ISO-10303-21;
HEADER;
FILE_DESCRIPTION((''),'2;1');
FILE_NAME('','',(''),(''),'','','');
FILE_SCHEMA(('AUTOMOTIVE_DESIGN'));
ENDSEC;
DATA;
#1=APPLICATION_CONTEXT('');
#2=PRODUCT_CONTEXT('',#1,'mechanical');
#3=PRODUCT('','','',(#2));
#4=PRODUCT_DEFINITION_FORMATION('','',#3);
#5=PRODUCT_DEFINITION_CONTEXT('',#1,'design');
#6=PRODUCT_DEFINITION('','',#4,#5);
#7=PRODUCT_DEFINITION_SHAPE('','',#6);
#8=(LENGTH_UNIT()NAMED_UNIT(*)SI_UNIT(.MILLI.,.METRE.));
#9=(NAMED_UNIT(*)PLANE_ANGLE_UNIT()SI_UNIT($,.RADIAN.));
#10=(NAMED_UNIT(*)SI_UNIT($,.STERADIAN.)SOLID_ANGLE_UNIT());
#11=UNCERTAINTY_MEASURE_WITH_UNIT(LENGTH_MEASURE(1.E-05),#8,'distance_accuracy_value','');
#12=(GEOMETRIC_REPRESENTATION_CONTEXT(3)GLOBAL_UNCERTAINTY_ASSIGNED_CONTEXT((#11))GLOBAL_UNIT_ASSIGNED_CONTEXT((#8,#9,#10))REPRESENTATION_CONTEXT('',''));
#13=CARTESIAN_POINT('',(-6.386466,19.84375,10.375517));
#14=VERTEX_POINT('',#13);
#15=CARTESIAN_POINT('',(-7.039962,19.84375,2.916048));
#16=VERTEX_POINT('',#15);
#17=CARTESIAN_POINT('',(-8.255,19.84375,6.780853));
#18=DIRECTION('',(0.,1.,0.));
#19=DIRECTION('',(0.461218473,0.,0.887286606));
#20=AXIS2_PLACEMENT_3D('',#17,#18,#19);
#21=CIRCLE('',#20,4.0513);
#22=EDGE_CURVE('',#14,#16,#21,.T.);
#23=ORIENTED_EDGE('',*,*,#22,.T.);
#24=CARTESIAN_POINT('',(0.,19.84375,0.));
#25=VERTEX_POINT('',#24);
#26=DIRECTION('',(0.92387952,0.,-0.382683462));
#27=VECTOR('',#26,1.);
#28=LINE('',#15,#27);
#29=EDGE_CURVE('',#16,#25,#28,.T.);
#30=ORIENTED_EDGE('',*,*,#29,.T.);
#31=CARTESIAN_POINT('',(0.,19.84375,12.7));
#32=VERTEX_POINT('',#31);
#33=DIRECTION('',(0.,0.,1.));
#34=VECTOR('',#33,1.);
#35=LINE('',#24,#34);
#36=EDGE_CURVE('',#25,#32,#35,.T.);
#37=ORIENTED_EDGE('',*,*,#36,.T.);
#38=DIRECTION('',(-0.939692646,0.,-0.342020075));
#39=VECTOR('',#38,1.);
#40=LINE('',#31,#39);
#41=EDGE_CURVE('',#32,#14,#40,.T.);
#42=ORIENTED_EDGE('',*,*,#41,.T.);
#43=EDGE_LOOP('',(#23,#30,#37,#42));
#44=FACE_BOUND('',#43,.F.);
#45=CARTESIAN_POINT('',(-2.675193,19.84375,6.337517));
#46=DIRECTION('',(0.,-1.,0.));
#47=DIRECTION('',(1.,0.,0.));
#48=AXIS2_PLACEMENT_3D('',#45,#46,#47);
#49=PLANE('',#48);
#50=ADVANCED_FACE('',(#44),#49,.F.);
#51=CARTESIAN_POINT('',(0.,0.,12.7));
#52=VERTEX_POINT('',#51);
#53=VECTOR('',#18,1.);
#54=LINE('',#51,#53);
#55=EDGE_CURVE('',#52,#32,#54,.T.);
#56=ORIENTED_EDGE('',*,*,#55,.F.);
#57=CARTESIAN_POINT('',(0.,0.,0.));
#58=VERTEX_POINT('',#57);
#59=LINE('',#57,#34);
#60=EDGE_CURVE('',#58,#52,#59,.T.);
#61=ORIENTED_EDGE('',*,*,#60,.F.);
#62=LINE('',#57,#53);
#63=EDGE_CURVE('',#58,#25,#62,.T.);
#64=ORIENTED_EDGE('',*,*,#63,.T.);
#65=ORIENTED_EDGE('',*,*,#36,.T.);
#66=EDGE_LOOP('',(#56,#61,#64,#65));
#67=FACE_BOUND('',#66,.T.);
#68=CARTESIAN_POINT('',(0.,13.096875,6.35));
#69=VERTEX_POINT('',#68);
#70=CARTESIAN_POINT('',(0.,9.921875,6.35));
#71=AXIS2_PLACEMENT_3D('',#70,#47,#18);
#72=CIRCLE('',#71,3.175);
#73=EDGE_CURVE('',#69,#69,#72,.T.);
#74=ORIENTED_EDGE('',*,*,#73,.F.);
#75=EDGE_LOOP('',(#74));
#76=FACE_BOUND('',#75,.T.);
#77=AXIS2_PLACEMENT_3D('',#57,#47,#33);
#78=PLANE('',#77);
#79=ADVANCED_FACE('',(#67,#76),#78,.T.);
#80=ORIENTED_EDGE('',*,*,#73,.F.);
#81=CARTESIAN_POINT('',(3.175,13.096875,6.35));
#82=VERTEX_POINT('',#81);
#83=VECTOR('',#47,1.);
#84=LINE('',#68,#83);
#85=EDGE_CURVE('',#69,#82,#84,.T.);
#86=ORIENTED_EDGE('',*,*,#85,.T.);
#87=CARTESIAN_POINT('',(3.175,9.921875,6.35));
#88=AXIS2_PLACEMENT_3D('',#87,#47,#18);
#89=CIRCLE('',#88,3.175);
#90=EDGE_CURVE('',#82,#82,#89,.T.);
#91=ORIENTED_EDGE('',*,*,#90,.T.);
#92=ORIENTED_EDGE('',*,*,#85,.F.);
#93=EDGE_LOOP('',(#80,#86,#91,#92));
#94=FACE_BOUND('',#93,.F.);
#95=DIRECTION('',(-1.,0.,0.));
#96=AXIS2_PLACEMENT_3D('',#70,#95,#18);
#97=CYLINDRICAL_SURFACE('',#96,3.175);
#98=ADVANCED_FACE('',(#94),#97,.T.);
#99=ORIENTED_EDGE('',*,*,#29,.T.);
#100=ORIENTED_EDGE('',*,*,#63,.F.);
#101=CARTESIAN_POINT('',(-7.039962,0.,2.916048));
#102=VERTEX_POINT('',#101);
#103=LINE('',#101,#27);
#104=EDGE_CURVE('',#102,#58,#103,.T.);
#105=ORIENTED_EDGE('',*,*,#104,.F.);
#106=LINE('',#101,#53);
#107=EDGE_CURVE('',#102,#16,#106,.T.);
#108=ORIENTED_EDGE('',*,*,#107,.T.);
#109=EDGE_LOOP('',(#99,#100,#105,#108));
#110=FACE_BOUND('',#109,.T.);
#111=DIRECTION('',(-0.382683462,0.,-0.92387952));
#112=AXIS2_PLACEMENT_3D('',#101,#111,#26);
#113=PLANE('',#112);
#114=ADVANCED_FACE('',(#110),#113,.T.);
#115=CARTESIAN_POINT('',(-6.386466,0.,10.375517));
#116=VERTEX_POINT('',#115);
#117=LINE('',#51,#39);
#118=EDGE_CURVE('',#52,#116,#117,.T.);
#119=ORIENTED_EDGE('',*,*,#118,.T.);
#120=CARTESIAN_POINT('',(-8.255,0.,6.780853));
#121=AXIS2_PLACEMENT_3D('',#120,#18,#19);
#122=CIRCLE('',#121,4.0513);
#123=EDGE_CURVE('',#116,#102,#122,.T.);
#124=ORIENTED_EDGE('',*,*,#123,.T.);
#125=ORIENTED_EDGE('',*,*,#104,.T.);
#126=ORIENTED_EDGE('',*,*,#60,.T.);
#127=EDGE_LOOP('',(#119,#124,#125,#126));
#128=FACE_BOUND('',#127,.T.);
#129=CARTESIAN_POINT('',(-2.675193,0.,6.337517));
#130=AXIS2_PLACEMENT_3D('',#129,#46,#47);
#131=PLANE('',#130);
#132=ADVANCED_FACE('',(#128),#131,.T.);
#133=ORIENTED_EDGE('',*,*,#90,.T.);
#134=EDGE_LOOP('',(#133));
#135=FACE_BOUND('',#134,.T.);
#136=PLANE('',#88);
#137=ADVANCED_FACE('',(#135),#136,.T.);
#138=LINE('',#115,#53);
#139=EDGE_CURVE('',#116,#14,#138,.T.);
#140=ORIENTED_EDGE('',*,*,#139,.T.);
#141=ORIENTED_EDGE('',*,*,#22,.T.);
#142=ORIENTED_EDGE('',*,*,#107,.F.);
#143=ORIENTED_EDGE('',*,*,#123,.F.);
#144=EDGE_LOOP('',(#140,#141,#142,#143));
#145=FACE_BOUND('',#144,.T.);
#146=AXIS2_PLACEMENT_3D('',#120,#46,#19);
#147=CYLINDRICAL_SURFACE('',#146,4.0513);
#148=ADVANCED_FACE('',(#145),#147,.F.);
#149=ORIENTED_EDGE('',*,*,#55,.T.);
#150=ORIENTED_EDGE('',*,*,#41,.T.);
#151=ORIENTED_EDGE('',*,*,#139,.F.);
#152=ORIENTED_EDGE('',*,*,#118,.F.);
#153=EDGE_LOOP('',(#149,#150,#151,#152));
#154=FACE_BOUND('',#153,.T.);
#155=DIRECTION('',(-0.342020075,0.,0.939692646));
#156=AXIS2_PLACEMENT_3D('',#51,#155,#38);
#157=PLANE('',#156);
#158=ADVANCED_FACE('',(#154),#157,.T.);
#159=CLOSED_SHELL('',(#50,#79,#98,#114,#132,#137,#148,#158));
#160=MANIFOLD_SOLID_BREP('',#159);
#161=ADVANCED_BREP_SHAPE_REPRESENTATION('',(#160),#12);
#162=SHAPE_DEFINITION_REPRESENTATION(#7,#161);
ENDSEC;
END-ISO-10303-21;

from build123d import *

# Parameters (mm, degrees)
F1_DEPTH = 19.84375
F2_R     = 3.175
F3_DEPTH = 3.175


with BuildPart() as f1:
    # F0 (on Front) → F1 (new body)
    with BuildSketch(Plane.XZ):
        with BuildLine():
            Line((-7.039962, 2.916048), (0, 0))
            Line((0, 0), (0, 12.7))
            Line((0, 12.7), (-6.386466, 10.375517))
            ThreePointArc((-6.386466, 10.375517), (-4.219158, 6.427287), (-7.039962, 2.916048))
        make_face()
    extrude(amount=-F1_DEPTH)

    # F2 (on face) → F3 (join)
    with BuildSketch(Plane.YZ):
        with Locations((9.921875, 6.35)):
            Circle(F2_R)
    extrude(amount=F3_DEPTH)


solid = f1.part
